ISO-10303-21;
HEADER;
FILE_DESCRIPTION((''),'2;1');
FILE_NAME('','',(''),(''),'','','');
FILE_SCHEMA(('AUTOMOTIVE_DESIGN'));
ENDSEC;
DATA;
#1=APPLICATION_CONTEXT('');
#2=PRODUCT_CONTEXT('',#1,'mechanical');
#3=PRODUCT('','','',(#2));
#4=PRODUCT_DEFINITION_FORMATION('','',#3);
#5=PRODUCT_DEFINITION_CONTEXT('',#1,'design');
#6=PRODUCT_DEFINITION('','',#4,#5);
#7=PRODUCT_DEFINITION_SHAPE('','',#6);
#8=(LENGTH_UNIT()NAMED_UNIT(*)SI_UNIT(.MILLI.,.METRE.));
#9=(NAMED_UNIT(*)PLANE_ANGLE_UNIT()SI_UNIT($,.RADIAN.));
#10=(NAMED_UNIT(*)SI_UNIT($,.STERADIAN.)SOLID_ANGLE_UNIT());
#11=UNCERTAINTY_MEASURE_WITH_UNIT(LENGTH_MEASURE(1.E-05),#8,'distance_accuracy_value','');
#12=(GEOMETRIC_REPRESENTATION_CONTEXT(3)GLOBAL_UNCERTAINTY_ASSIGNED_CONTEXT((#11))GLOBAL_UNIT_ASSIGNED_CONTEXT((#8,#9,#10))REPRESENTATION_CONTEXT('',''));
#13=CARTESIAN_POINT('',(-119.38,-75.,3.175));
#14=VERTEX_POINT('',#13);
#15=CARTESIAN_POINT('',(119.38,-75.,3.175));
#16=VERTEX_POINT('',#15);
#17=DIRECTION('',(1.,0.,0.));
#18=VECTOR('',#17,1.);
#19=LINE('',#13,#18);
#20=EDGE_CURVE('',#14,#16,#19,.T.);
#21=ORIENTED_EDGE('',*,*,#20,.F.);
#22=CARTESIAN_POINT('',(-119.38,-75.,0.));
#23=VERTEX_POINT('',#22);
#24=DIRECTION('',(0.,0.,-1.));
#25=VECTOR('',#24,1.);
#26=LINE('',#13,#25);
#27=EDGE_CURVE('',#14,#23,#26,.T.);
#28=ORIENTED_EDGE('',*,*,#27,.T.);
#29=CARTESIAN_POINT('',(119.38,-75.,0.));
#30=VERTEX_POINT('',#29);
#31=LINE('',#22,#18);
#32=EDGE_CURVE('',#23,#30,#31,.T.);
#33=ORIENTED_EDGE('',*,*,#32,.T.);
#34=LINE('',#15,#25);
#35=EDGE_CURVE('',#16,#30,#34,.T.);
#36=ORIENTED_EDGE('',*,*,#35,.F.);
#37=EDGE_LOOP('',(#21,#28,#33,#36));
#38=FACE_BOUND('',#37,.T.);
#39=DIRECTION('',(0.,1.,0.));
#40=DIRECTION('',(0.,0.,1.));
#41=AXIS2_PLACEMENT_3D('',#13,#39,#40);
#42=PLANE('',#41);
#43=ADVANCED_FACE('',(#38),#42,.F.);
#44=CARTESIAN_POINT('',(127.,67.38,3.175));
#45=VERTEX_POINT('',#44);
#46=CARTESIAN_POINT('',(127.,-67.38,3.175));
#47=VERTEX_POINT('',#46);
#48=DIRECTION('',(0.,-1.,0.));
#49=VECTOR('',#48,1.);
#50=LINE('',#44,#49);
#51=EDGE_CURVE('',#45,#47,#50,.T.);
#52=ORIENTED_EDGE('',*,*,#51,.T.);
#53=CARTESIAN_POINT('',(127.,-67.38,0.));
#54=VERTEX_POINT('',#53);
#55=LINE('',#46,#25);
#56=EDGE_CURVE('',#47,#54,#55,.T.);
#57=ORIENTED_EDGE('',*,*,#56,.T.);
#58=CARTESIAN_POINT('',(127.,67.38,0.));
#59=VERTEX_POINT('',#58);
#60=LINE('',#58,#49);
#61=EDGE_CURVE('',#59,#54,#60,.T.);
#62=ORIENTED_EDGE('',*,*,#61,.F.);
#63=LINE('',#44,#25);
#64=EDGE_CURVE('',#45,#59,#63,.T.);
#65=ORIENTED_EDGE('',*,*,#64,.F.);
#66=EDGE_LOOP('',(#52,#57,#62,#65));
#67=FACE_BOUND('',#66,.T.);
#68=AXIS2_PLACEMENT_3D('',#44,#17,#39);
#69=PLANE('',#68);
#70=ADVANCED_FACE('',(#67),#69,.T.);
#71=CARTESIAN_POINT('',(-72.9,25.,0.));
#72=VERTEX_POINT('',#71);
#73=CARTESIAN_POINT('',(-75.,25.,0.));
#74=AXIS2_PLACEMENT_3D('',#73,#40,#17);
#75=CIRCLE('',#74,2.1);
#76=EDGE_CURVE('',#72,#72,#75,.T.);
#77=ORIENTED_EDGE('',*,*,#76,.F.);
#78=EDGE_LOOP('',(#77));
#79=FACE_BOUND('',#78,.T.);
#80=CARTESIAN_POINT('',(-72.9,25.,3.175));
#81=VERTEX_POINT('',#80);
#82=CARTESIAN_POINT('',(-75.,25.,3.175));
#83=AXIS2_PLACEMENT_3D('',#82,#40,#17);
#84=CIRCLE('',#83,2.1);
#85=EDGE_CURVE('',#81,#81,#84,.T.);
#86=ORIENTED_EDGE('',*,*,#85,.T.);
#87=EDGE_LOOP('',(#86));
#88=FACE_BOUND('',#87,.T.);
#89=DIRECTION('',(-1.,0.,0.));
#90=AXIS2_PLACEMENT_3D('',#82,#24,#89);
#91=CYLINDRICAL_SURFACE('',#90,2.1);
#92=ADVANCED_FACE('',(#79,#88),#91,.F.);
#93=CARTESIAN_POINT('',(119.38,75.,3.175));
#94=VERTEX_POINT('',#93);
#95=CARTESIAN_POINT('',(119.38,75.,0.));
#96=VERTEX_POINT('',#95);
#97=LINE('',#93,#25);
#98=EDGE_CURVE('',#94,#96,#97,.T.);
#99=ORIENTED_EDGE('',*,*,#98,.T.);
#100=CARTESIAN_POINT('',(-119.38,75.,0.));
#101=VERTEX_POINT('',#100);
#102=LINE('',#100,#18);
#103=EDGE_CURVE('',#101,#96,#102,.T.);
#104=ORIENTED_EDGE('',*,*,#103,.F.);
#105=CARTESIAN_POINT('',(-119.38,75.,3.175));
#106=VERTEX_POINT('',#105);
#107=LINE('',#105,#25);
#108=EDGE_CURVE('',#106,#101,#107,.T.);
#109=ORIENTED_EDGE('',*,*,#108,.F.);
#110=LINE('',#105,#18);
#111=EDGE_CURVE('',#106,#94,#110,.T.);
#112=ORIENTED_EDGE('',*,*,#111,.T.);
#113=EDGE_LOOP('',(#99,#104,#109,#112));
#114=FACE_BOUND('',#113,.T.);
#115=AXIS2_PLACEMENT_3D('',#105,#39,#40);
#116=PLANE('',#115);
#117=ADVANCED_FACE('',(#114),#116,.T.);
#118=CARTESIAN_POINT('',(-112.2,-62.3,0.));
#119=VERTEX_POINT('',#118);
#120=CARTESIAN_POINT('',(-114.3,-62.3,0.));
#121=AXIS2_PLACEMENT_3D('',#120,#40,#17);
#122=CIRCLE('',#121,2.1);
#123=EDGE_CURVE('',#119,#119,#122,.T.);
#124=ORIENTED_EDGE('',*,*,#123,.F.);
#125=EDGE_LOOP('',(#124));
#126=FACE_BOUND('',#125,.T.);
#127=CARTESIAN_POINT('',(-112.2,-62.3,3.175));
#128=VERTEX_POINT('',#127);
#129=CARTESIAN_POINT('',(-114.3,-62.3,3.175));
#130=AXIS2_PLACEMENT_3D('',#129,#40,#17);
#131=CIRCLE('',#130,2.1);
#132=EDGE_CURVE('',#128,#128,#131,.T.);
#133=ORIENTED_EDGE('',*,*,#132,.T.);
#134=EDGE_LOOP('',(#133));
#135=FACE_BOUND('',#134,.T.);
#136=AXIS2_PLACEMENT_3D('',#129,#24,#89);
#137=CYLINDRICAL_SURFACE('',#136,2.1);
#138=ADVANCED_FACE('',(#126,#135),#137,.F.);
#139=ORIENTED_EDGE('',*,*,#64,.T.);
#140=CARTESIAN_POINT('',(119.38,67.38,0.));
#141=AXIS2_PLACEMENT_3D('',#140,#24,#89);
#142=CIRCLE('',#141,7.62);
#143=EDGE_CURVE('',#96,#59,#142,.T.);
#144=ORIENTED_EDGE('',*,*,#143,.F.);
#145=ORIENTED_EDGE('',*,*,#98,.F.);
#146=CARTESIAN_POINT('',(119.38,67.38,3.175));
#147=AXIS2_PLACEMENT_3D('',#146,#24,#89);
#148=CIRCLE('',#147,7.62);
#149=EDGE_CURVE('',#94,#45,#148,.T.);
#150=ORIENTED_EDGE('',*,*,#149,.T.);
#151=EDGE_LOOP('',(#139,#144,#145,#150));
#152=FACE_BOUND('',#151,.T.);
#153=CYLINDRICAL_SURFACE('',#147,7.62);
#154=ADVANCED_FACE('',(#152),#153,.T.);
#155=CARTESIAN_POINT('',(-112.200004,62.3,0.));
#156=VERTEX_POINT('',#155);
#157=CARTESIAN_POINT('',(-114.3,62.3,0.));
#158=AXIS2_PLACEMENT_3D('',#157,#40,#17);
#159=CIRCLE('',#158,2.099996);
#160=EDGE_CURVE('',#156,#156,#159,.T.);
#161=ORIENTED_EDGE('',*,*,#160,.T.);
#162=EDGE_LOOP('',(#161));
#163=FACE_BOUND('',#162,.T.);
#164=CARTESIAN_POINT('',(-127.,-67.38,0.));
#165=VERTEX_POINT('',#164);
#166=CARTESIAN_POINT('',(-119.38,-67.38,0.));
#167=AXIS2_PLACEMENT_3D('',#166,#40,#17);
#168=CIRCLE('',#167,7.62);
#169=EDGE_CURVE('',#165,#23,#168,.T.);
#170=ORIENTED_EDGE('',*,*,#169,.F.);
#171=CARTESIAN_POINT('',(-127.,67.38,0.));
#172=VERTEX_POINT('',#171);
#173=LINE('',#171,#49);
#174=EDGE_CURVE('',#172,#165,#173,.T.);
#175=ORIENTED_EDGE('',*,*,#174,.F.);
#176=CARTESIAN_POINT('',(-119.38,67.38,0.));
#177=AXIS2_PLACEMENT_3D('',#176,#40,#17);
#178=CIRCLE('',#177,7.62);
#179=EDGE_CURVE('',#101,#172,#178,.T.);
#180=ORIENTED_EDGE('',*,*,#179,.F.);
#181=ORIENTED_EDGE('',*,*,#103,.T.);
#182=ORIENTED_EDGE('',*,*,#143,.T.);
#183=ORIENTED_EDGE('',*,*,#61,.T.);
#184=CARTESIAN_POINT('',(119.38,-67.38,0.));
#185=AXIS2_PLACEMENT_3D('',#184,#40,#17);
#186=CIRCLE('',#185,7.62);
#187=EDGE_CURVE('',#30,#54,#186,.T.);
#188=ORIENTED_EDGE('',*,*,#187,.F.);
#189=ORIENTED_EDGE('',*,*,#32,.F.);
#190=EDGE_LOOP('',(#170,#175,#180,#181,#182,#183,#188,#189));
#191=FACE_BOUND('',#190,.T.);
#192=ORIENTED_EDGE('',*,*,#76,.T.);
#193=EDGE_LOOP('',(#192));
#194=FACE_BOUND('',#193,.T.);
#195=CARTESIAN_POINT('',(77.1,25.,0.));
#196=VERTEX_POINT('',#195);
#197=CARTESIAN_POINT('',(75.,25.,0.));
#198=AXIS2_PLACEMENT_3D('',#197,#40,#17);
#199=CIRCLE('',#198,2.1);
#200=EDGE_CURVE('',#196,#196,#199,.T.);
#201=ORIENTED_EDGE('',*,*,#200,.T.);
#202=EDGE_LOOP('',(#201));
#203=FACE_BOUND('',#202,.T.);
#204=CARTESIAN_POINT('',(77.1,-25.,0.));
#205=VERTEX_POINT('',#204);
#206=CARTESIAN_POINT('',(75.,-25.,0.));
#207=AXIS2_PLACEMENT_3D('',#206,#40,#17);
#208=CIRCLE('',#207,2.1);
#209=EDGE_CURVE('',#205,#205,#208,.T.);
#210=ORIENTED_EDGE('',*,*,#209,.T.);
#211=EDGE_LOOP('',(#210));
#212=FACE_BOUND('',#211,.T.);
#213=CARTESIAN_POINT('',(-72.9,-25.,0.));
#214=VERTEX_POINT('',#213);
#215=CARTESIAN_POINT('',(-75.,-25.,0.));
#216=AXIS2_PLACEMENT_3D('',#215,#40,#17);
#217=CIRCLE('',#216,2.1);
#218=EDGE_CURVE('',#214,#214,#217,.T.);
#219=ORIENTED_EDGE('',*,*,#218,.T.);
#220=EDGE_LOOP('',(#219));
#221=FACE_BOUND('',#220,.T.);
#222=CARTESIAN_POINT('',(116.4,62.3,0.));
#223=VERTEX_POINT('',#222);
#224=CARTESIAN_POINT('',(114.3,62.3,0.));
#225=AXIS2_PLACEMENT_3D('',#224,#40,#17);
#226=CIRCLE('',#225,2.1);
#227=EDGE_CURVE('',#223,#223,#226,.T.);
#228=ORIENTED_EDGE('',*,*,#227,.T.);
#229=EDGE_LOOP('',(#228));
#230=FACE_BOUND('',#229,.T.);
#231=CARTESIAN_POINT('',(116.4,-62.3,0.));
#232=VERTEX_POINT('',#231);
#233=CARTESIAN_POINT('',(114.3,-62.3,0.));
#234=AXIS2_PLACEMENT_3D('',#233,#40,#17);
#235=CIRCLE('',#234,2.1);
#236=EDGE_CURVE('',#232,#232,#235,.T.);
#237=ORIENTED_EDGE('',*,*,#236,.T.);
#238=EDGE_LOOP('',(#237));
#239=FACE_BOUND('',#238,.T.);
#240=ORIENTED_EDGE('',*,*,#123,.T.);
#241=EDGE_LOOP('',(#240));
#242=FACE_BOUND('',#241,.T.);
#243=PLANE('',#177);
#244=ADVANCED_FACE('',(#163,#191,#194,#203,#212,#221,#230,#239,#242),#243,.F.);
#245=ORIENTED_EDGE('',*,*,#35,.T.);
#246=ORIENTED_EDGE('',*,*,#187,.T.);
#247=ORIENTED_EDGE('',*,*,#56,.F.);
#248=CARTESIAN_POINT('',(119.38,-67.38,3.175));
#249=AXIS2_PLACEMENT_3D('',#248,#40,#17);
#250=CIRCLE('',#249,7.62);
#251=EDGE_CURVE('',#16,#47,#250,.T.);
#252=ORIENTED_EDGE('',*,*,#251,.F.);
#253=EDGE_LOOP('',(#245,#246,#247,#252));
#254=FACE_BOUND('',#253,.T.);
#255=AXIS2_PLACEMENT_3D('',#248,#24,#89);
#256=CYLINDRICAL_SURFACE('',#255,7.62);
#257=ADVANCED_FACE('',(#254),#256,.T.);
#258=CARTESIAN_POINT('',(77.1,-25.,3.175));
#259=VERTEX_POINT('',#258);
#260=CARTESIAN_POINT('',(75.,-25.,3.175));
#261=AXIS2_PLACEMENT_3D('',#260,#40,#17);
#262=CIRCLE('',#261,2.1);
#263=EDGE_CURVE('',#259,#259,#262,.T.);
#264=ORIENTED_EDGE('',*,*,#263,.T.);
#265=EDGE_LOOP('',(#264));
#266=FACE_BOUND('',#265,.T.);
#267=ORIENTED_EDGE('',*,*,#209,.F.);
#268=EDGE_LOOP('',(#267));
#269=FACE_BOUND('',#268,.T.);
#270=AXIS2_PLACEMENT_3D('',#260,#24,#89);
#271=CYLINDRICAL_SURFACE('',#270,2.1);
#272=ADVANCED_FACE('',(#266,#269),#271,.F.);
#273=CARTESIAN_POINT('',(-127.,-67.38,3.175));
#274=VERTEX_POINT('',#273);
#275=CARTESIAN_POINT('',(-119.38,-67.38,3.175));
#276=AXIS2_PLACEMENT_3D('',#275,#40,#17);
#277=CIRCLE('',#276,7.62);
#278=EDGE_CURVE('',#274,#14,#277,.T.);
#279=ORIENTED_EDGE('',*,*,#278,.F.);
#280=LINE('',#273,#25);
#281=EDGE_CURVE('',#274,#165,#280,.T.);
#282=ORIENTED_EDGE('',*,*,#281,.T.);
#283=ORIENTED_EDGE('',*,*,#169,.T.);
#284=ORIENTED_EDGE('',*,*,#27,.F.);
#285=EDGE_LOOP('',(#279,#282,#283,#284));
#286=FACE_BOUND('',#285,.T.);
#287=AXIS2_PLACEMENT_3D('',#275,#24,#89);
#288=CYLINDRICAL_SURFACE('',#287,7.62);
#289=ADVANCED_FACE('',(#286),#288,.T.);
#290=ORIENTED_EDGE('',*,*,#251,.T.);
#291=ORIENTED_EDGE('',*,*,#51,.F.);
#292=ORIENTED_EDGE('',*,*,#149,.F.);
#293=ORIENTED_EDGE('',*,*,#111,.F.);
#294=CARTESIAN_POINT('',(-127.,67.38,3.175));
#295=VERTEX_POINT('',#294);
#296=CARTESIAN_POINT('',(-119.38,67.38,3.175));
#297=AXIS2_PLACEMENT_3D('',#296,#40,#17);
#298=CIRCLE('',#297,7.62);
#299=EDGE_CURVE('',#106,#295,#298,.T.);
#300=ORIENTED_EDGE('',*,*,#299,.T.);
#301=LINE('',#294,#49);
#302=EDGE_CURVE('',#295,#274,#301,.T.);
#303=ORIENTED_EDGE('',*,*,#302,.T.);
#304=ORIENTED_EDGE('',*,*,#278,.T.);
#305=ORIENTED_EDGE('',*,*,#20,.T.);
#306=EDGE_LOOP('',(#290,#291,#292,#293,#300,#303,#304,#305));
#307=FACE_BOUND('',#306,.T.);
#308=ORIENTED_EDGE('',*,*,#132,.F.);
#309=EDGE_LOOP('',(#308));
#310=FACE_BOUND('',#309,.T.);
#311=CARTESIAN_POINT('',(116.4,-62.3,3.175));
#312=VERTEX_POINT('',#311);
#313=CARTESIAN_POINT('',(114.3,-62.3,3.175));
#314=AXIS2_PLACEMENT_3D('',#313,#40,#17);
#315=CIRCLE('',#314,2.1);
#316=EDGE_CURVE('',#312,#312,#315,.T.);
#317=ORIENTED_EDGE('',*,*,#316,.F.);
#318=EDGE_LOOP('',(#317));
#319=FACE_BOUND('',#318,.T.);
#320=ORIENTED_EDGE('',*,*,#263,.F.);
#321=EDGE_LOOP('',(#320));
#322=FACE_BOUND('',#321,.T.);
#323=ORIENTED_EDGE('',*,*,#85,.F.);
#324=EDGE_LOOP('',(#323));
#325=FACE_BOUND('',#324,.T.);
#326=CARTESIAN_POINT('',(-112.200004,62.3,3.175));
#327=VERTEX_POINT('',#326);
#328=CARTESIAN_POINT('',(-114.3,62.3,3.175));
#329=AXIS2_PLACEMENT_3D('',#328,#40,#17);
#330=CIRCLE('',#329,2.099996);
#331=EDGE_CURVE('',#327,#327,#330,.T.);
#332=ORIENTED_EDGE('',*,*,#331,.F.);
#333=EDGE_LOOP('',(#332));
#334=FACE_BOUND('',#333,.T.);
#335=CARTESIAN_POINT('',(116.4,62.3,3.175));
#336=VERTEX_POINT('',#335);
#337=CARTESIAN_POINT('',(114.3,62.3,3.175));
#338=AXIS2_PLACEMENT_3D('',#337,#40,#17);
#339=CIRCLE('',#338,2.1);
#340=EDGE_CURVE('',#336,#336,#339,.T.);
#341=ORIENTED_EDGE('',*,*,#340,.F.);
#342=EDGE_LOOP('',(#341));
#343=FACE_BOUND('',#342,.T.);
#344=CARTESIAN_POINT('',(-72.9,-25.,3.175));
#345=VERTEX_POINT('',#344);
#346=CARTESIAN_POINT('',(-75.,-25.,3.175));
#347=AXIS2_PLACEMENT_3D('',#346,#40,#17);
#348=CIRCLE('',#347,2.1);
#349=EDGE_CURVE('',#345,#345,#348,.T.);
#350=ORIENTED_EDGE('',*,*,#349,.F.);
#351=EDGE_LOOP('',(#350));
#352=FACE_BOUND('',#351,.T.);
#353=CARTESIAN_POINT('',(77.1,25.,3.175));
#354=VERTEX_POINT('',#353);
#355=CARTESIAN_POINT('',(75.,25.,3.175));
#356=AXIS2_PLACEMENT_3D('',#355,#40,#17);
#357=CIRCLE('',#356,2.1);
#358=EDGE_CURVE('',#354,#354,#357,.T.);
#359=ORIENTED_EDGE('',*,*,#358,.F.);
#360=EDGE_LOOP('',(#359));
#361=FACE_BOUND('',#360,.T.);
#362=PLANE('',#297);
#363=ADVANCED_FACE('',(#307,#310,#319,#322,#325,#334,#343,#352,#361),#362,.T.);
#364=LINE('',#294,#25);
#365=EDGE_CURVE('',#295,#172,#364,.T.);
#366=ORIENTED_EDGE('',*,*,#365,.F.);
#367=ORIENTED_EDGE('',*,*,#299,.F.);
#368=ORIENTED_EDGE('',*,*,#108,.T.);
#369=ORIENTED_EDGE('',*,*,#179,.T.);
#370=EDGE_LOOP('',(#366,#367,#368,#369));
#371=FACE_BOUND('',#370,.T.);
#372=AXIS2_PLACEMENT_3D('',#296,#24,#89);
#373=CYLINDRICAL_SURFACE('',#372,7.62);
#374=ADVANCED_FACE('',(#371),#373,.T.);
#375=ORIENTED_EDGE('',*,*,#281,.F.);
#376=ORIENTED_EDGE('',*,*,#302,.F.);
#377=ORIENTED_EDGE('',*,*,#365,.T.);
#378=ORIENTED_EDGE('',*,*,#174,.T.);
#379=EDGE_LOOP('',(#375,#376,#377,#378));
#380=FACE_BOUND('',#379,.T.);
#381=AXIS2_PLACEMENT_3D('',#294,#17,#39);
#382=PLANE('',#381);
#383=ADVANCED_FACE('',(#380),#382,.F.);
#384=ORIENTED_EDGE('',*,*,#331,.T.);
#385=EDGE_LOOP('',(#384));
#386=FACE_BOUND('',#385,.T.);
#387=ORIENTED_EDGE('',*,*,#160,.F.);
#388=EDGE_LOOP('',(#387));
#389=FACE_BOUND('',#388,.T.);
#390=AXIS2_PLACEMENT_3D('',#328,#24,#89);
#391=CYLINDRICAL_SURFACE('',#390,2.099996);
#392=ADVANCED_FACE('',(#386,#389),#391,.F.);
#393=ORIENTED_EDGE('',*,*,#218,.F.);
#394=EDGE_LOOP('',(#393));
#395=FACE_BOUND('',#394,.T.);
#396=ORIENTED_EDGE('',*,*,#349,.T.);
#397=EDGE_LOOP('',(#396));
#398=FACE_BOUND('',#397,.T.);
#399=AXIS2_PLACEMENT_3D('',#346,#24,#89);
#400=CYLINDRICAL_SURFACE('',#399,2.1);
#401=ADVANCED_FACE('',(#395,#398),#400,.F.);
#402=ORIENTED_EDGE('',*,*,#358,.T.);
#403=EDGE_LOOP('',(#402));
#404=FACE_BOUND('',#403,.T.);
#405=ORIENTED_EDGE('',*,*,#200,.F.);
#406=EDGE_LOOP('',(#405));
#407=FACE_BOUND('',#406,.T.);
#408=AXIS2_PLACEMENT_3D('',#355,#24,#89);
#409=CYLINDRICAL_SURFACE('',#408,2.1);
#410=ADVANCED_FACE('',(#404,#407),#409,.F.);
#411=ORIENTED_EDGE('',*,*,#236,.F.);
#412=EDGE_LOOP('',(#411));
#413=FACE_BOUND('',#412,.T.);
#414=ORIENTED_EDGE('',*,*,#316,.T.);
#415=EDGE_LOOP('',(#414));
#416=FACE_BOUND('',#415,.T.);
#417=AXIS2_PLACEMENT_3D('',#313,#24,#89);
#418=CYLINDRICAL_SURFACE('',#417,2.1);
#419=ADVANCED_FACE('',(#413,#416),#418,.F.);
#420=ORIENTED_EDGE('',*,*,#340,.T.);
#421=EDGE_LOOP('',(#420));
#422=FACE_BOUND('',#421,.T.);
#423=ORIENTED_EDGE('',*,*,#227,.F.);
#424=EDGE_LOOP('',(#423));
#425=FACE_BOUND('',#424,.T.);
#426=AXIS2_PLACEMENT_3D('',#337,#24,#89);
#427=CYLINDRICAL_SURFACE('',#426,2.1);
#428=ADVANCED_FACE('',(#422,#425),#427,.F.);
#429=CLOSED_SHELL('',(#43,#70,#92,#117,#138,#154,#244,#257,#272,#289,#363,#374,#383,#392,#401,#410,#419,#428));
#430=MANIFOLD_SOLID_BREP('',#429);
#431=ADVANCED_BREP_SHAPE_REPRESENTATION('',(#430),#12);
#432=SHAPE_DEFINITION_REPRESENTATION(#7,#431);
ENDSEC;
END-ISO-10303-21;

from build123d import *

# Parameters (mm, degrees)
SKETCH1_R           = 2.1
SKETCH1_R_2         = 2.0999958
BOSS_EXTRUDE1_DEPTH = 3.175


with BuildPart() as part:
    # Sketch1 → Boss-Extrude1 (new body)
    with BuildSketch(Plane.XY):
        with BuildLine():
            Line((-119.38, 75), (119.38, 75))
            ThreePointArc((119.38, 75), (124.768153673, 72.768153673), (127, 67.38))
            Line((127, 67.38), (127, -67.38))
            ThreePointArc((127, -67.38), (124.768153673, -72.768153673), (119.38, -75))
            Line((119.38, -75), (-119.38, -75))
            ThreePointArc((-119.38, -75), (-124.768153673, -72.768153673), (-127, -67.38))
            Line((-127, -67.38), (-127, 67.38))
            ThreePointArc((-127, 67.38), (-124.768153673, 72.768153673), (-119.38, 75))
        make_face()
        with Locations((-75, 25)):
            Circle(SKETCH1_R, mode=Mode.SUBTRACT)
        with Locations((-75, -25)):
            Circle(SKETCH1_R, mode=Mode.SUBTRACT)
        with Locations((75, -25)):
            Circle(SKETCH1_R, mode=Mode.SUBTRACT)
        with Locations((75, 25)):
            Circle(SKETCH1_R, mode=Mode.SUBTRACT)
        with Locations((-114.3, 62.3)):
            Circle(SKETCH1_R_2, mode=Mode.SUBTRACT)
        with Locations((114.3, 62.3)):
            Circle(SKETCH1_R, mode=Mode.SUBTRACT)
        with Locations((-114.3, -62.3)):
            Circle(SKETCH1_R, mode=Mode.SUBTRACT)
        with Locations((114.3, -62.3)):
            Circle(SKETCH1_R, mode=Mode.SUBTRACT)
    extrude(amount=BOSS_EXTRUDE1_DEPTH)


solid = part.part
